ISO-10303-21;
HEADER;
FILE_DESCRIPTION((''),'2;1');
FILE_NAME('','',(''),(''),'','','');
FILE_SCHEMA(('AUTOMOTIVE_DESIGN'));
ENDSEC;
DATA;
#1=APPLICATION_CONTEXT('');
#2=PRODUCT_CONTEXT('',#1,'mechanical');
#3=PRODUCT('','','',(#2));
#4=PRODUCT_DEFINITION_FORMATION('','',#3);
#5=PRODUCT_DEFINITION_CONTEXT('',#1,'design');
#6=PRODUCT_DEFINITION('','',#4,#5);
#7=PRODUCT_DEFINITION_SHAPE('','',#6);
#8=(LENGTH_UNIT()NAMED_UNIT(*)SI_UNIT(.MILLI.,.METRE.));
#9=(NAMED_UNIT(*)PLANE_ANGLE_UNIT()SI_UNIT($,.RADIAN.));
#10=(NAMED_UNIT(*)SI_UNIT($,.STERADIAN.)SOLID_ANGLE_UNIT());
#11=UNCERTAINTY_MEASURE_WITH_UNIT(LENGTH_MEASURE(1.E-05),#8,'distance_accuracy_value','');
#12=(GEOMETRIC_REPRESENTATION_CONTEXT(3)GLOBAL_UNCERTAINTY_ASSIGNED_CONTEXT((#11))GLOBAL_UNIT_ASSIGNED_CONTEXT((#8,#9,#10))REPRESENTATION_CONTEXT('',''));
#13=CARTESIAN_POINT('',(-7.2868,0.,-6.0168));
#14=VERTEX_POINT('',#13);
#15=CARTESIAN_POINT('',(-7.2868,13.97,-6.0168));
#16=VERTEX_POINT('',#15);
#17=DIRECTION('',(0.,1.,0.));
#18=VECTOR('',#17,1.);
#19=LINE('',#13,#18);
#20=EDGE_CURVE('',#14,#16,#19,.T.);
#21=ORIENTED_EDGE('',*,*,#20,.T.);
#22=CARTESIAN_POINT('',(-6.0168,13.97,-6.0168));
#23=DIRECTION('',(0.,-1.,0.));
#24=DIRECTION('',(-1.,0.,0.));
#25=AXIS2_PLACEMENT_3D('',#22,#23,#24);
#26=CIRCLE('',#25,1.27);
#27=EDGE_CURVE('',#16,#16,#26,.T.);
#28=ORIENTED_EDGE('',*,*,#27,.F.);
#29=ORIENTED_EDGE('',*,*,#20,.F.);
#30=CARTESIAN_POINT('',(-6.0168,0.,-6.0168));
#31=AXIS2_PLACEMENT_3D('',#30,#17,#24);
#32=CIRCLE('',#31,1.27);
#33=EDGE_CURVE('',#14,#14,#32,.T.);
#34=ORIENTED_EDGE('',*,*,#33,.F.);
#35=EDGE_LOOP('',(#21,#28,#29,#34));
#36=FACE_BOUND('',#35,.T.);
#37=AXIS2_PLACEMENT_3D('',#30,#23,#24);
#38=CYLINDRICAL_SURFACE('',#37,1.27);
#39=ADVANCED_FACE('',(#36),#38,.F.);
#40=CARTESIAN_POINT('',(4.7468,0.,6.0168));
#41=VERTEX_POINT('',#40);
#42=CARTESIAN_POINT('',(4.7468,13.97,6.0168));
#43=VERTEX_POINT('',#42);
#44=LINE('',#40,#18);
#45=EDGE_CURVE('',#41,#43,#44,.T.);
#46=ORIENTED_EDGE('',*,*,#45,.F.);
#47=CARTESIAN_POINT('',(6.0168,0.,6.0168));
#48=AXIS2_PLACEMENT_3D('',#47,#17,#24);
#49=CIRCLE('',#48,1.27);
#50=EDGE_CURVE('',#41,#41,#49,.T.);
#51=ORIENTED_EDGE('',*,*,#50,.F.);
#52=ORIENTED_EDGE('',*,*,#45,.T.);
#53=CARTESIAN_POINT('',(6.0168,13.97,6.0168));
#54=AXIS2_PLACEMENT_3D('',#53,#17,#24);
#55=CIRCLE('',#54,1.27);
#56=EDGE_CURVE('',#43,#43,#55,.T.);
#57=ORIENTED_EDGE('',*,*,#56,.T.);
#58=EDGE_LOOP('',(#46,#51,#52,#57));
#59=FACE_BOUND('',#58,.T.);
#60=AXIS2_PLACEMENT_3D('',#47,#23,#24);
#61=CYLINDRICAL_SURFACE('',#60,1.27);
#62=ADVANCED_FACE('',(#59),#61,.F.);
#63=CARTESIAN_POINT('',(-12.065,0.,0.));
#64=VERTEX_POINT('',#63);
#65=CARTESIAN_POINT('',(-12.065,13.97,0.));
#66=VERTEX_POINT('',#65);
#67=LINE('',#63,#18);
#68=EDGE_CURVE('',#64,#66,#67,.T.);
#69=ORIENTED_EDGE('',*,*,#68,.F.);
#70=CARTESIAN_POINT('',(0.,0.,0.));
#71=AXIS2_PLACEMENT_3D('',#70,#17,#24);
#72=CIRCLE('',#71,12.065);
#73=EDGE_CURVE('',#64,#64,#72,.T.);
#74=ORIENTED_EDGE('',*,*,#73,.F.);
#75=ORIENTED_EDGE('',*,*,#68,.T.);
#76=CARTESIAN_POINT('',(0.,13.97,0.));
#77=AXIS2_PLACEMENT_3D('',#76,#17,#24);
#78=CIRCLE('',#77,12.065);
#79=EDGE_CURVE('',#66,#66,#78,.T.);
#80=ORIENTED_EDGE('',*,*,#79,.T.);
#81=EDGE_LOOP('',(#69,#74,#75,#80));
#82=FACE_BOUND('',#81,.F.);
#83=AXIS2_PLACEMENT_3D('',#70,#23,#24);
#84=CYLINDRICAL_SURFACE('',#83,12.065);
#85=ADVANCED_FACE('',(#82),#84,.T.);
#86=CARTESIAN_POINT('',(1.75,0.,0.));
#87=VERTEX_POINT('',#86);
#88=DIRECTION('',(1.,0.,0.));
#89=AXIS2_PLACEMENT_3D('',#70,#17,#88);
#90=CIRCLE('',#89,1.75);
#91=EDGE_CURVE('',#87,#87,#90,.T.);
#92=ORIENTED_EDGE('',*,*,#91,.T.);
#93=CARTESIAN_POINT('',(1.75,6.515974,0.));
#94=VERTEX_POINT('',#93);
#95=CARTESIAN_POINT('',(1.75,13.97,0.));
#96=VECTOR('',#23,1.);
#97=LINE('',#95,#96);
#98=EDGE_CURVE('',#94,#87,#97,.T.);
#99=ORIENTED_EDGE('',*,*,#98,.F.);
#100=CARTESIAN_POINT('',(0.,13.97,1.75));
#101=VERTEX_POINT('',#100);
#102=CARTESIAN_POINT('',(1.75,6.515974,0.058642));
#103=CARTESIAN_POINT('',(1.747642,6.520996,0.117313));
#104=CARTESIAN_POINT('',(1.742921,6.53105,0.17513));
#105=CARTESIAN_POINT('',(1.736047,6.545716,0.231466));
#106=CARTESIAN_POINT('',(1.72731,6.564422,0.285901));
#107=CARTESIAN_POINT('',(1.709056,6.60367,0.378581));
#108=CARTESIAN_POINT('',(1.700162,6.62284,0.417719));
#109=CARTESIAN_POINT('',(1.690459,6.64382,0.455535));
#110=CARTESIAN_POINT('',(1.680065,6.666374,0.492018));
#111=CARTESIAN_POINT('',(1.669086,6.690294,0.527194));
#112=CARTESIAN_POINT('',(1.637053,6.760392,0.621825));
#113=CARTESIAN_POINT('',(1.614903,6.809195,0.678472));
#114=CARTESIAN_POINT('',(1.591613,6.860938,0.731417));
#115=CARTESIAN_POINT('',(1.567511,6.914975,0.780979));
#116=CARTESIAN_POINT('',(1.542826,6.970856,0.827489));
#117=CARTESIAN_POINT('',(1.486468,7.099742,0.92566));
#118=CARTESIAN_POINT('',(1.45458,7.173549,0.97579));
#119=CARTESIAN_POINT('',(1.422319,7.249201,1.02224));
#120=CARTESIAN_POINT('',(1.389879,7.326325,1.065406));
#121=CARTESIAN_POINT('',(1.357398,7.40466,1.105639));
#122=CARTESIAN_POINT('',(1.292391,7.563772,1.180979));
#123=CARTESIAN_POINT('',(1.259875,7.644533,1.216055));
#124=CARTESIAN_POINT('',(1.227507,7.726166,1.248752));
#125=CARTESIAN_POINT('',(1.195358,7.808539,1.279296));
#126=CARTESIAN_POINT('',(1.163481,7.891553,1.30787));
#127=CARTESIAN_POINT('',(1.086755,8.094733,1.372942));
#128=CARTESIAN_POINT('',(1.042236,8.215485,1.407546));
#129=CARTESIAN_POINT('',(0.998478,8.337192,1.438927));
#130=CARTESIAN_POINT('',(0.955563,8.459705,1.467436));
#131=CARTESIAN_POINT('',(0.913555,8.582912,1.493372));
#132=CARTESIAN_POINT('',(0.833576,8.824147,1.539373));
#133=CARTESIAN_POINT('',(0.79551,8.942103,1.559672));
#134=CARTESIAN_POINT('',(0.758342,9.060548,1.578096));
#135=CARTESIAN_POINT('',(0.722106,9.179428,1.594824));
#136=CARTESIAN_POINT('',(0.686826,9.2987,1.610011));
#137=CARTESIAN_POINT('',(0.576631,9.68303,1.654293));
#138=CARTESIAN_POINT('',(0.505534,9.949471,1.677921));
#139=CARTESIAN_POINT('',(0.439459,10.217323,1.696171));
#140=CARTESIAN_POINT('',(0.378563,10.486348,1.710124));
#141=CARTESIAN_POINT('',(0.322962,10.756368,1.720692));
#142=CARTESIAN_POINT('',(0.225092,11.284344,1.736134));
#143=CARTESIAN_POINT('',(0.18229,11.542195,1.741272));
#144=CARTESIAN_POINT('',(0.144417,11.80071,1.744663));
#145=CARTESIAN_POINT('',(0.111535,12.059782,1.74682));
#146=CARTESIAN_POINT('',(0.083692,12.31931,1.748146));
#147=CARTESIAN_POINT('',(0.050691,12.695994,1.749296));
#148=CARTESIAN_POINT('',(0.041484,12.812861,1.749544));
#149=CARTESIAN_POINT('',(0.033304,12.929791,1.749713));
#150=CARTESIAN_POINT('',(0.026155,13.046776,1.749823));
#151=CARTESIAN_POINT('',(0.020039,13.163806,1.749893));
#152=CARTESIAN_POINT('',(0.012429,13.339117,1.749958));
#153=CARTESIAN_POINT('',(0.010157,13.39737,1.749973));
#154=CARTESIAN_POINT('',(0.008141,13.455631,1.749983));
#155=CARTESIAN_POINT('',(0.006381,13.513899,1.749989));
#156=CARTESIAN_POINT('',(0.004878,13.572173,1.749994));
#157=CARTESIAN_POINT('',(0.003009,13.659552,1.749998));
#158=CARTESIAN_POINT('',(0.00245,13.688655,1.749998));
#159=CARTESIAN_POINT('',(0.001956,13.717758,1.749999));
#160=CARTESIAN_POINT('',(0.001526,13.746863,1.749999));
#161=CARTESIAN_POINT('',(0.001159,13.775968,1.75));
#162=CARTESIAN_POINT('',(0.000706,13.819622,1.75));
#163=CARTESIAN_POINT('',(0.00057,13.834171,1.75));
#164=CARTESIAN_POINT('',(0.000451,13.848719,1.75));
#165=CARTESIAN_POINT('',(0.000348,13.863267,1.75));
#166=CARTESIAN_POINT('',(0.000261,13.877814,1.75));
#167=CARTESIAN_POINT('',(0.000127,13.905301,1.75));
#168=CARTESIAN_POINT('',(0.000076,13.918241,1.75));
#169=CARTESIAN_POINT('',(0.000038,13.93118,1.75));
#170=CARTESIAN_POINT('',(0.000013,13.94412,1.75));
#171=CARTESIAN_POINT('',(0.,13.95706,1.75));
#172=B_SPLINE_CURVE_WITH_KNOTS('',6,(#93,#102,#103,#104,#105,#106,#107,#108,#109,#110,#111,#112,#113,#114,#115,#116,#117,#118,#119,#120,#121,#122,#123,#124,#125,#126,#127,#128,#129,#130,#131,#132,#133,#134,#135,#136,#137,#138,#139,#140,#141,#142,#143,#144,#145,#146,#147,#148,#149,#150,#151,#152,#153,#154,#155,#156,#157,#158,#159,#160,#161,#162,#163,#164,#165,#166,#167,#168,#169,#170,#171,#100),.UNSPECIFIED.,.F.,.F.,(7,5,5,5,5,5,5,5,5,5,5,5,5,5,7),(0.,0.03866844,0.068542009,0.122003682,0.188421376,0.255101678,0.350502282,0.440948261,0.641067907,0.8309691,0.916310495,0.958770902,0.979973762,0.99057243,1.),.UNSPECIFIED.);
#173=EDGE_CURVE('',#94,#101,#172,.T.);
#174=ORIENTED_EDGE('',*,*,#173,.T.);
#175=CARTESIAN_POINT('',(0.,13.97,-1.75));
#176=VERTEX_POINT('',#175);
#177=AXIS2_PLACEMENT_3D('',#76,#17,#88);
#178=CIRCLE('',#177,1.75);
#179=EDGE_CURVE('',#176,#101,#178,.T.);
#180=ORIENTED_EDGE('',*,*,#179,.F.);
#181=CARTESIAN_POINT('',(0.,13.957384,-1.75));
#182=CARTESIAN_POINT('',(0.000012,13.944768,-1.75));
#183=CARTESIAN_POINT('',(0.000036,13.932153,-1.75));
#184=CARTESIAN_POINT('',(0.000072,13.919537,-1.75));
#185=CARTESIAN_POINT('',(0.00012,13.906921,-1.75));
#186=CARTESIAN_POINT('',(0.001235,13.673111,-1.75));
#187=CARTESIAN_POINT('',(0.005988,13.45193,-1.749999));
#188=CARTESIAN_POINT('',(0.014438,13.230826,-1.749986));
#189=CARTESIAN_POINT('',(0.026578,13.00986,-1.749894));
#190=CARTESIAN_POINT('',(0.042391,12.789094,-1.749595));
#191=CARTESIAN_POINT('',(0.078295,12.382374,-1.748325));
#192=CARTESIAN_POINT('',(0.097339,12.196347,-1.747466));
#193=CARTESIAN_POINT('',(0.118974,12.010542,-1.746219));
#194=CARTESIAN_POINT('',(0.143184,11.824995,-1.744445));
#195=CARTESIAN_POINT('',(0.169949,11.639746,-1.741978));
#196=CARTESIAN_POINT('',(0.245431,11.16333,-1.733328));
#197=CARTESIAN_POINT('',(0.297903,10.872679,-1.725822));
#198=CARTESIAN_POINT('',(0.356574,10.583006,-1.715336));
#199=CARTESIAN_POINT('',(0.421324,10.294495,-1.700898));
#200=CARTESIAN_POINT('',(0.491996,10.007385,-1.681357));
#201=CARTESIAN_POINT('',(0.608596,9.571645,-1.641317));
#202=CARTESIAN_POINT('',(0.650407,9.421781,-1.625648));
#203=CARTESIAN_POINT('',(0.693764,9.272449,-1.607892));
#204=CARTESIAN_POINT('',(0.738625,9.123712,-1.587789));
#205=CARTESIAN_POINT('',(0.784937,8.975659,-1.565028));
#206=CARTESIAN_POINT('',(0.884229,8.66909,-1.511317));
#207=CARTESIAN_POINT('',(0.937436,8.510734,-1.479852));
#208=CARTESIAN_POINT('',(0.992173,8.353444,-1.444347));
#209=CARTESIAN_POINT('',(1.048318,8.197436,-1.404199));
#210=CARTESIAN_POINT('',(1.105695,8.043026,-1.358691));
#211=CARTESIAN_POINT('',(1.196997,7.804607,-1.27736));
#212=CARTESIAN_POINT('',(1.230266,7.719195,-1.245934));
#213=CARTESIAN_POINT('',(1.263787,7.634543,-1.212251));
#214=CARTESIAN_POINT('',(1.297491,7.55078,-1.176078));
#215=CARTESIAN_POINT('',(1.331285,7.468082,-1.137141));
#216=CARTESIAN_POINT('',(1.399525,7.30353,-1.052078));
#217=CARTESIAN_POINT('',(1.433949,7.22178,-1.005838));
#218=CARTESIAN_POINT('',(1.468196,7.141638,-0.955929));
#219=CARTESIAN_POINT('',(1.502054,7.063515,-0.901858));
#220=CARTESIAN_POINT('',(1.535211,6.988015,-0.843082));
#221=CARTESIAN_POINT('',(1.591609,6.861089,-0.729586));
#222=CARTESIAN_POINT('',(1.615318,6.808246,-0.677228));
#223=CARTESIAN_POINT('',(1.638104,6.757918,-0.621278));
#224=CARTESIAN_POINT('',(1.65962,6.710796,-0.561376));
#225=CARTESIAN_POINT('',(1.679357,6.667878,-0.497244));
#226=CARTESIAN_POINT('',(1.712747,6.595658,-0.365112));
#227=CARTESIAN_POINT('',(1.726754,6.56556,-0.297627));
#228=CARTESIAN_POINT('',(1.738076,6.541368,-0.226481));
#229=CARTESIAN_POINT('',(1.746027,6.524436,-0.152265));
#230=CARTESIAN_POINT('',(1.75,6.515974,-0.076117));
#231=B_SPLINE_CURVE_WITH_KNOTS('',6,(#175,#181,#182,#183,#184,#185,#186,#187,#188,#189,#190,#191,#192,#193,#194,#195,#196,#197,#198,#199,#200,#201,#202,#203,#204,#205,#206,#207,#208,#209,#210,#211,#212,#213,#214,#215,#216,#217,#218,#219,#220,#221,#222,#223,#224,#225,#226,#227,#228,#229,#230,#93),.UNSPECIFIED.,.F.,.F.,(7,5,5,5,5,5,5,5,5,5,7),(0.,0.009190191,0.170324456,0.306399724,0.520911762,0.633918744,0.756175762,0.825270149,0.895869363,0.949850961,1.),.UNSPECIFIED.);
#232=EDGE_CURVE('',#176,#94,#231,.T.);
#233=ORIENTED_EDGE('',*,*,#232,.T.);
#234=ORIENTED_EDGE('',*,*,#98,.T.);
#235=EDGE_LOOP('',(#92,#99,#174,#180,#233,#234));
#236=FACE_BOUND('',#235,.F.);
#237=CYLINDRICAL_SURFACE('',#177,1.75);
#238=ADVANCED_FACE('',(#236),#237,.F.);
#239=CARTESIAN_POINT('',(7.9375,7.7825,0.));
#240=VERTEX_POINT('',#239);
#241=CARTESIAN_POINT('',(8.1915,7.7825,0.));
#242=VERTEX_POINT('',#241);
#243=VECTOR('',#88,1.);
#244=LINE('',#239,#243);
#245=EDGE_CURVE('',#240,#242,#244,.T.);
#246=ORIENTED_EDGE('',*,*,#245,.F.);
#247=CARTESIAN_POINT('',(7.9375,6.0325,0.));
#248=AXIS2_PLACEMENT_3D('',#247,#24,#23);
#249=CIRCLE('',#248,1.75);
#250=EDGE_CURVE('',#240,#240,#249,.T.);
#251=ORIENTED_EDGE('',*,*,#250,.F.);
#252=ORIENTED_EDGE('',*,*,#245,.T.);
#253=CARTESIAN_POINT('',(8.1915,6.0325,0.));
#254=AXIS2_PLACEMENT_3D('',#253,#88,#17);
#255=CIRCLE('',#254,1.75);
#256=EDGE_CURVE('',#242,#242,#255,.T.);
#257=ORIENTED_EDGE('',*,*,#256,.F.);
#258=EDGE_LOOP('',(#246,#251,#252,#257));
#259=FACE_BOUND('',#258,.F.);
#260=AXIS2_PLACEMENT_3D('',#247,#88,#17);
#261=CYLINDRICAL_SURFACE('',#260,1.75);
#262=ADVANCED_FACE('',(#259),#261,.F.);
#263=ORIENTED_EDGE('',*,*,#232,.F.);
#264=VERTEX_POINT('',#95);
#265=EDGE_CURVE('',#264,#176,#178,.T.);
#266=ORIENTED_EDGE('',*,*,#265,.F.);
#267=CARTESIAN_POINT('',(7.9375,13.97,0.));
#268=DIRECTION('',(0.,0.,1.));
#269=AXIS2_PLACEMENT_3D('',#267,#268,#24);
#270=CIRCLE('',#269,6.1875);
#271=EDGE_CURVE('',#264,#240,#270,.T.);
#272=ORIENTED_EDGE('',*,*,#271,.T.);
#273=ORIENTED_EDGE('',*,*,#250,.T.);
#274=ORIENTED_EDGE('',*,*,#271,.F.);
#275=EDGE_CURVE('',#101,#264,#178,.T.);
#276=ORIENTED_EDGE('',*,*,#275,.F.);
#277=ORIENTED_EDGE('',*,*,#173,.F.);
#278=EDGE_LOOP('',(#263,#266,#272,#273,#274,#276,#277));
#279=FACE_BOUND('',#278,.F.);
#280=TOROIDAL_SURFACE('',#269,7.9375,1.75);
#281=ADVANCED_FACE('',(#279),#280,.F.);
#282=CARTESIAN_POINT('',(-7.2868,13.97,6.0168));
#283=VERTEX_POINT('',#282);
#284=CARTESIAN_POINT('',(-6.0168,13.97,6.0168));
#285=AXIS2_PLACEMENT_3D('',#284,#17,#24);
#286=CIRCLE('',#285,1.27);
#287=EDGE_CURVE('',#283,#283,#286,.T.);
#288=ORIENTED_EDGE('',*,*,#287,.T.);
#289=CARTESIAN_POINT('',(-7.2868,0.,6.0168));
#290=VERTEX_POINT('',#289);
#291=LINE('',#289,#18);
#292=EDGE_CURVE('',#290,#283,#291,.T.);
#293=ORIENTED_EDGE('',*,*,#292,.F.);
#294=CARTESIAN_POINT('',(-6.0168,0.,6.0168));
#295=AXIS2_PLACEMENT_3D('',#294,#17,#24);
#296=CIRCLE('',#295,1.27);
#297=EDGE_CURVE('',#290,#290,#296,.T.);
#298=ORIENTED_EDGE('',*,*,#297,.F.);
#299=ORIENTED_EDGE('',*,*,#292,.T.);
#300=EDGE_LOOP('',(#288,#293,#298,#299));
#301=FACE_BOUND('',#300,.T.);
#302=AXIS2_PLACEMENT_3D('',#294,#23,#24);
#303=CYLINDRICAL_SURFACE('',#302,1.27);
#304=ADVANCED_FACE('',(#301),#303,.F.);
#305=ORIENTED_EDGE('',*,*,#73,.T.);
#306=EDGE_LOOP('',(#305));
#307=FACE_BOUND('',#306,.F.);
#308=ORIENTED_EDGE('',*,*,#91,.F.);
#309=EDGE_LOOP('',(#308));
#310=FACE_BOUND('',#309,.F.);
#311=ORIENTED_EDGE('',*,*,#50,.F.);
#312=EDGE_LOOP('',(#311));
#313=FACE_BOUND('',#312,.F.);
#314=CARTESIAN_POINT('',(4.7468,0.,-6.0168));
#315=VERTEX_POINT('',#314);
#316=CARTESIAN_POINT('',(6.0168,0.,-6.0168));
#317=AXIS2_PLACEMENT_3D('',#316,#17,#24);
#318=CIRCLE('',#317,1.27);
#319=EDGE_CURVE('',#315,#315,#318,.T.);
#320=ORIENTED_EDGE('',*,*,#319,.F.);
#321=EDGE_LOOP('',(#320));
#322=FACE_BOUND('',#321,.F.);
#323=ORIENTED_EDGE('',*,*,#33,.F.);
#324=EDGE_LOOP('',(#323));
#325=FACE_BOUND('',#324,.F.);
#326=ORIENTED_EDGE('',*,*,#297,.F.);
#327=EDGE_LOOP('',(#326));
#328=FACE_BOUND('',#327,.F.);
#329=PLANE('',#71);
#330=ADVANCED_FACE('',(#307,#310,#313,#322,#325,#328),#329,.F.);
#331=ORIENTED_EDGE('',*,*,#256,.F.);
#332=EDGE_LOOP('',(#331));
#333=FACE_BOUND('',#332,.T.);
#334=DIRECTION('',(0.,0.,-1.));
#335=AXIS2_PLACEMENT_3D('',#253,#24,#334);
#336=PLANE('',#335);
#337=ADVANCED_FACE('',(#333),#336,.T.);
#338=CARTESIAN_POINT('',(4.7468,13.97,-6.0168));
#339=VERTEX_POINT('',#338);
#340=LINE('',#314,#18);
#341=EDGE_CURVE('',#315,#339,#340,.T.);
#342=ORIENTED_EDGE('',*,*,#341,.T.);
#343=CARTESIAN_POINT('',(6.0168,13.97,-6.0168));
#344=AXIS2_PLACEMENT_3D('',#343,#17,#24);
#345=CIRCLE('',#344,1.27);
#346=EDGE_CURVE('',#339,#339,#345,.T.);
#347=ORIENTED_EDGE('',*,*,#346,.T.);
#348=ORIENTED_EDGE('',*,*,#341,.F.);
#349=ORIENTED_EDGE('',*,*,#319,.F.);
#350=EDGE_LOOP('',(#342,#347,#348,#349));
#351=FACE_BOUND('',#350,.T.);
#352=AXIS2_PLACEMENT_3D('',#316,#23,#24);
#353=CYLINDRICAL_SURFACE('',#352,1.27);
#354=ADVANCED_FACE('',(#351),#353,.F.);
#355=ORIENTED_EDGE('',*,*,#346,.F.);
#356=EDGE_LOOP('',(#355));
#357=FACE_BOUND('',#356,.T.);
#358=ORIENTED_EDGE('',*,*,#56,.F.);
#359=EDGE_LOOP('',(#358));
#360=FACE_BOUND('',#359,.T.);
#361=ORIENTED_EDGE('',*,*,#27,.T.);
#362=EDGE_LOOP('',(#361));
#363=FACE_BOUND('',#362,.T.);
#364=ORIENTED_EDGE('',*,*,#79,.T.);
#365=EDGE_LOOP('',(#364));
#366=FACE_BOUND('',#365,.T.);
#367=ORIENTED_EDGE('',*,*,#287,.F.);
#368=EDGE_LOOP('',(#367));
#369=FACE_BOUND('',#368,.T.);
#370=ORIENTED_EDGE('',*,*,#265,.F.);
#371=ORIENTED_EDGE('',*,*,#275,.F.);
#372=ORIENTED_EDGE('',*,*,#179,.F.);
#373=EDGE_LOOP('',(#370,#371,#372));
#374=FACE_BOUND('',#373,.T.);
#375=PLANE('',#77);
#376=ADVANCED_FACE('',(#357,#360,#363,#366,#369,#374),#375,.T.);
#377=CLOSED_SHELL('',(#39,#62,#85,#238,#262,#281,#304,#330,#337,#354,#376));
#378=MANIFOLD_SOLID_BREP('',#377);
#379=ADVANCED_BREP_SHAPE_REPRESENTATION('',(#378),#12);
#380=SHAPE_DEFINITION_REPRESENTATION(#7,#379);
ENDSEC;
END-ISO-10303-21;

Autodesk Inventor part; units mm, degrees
ref_plane "YZ Plane" through (0, 0, 0) normal (1, 0, 0) x (0, 1, 0)
ref_plane "XZ Plane" through (0, 0, 0) normal (0, 1, 0) x (-1, 0, 0)
ref_plane "XY Plane" through (0, 0, 0) normal (0, 0, 1) x (1, 0, 0)
sketch "Sketch1" plane through (0, 0, 0) normal (0, 1, 0) x (-1, 0, 0)
  circle A0 centre (0, 0) radius 12.065
  line L0 (0, 0) -> (6.0168, -6.0168)
  line L1 (0, 0) -> (8.509, 0) construction
  circle A1 centre (6.0168, -6.0168) radius 1.27
  circle A2 centre (6.0168, 6.0168) radius 1.27
  circle A3 centre (-6.0168, 6.0168) radius 1.27
  circle A4 centre (-6.0168, -6.0168) radius 1.27
  dimension "d0" = 24.13
  dimension "d1" = 45
  dimension "d2" = 8.509
  dimension "d3" = 2.54
  dimension "d6" = 360
extrude "Extrusion1" add sketch "Sketch1" along normal blind 13.97
sketch "Sketch6" plane through (0, 13.97, 0) normal (0, 1, 0) x (1, 0, 0)
  circle A0 centre (0, 0) radius 1.75
  dimension "d32" = 3.5
extrude "Extrusion3" cut sketch "Sketch6" against normal through all
sketch "Sketch3" plane through (0, 13.97, 0) normal (0, 1, 0) x (1, 0, 0)
  circle A0 centre (0, 0) radius 1.75
  dimension "d14" = 3.5
sketch "Sketch7" plane through (0, 0, 0) normal (0, 0, 1) x (1, 0, 0)
  arc A0 (0, 13.97) -> (7.9375, 6.0325) centre (7.9375, 13.97) ccw
  line L0 (7.9375, 6.0325) -> (8.1915, 6.0325)
  point P0 (0, 0)
  dimension "d27" = 7.9375
  dimension "d28" = 7.9375
  dimension "d31" = 0.254
sweep "Sweep2" cut profiles "Sketch3" path "Sketch7"
properties part number "1PieceAttachment" material "ABS Plastic"
